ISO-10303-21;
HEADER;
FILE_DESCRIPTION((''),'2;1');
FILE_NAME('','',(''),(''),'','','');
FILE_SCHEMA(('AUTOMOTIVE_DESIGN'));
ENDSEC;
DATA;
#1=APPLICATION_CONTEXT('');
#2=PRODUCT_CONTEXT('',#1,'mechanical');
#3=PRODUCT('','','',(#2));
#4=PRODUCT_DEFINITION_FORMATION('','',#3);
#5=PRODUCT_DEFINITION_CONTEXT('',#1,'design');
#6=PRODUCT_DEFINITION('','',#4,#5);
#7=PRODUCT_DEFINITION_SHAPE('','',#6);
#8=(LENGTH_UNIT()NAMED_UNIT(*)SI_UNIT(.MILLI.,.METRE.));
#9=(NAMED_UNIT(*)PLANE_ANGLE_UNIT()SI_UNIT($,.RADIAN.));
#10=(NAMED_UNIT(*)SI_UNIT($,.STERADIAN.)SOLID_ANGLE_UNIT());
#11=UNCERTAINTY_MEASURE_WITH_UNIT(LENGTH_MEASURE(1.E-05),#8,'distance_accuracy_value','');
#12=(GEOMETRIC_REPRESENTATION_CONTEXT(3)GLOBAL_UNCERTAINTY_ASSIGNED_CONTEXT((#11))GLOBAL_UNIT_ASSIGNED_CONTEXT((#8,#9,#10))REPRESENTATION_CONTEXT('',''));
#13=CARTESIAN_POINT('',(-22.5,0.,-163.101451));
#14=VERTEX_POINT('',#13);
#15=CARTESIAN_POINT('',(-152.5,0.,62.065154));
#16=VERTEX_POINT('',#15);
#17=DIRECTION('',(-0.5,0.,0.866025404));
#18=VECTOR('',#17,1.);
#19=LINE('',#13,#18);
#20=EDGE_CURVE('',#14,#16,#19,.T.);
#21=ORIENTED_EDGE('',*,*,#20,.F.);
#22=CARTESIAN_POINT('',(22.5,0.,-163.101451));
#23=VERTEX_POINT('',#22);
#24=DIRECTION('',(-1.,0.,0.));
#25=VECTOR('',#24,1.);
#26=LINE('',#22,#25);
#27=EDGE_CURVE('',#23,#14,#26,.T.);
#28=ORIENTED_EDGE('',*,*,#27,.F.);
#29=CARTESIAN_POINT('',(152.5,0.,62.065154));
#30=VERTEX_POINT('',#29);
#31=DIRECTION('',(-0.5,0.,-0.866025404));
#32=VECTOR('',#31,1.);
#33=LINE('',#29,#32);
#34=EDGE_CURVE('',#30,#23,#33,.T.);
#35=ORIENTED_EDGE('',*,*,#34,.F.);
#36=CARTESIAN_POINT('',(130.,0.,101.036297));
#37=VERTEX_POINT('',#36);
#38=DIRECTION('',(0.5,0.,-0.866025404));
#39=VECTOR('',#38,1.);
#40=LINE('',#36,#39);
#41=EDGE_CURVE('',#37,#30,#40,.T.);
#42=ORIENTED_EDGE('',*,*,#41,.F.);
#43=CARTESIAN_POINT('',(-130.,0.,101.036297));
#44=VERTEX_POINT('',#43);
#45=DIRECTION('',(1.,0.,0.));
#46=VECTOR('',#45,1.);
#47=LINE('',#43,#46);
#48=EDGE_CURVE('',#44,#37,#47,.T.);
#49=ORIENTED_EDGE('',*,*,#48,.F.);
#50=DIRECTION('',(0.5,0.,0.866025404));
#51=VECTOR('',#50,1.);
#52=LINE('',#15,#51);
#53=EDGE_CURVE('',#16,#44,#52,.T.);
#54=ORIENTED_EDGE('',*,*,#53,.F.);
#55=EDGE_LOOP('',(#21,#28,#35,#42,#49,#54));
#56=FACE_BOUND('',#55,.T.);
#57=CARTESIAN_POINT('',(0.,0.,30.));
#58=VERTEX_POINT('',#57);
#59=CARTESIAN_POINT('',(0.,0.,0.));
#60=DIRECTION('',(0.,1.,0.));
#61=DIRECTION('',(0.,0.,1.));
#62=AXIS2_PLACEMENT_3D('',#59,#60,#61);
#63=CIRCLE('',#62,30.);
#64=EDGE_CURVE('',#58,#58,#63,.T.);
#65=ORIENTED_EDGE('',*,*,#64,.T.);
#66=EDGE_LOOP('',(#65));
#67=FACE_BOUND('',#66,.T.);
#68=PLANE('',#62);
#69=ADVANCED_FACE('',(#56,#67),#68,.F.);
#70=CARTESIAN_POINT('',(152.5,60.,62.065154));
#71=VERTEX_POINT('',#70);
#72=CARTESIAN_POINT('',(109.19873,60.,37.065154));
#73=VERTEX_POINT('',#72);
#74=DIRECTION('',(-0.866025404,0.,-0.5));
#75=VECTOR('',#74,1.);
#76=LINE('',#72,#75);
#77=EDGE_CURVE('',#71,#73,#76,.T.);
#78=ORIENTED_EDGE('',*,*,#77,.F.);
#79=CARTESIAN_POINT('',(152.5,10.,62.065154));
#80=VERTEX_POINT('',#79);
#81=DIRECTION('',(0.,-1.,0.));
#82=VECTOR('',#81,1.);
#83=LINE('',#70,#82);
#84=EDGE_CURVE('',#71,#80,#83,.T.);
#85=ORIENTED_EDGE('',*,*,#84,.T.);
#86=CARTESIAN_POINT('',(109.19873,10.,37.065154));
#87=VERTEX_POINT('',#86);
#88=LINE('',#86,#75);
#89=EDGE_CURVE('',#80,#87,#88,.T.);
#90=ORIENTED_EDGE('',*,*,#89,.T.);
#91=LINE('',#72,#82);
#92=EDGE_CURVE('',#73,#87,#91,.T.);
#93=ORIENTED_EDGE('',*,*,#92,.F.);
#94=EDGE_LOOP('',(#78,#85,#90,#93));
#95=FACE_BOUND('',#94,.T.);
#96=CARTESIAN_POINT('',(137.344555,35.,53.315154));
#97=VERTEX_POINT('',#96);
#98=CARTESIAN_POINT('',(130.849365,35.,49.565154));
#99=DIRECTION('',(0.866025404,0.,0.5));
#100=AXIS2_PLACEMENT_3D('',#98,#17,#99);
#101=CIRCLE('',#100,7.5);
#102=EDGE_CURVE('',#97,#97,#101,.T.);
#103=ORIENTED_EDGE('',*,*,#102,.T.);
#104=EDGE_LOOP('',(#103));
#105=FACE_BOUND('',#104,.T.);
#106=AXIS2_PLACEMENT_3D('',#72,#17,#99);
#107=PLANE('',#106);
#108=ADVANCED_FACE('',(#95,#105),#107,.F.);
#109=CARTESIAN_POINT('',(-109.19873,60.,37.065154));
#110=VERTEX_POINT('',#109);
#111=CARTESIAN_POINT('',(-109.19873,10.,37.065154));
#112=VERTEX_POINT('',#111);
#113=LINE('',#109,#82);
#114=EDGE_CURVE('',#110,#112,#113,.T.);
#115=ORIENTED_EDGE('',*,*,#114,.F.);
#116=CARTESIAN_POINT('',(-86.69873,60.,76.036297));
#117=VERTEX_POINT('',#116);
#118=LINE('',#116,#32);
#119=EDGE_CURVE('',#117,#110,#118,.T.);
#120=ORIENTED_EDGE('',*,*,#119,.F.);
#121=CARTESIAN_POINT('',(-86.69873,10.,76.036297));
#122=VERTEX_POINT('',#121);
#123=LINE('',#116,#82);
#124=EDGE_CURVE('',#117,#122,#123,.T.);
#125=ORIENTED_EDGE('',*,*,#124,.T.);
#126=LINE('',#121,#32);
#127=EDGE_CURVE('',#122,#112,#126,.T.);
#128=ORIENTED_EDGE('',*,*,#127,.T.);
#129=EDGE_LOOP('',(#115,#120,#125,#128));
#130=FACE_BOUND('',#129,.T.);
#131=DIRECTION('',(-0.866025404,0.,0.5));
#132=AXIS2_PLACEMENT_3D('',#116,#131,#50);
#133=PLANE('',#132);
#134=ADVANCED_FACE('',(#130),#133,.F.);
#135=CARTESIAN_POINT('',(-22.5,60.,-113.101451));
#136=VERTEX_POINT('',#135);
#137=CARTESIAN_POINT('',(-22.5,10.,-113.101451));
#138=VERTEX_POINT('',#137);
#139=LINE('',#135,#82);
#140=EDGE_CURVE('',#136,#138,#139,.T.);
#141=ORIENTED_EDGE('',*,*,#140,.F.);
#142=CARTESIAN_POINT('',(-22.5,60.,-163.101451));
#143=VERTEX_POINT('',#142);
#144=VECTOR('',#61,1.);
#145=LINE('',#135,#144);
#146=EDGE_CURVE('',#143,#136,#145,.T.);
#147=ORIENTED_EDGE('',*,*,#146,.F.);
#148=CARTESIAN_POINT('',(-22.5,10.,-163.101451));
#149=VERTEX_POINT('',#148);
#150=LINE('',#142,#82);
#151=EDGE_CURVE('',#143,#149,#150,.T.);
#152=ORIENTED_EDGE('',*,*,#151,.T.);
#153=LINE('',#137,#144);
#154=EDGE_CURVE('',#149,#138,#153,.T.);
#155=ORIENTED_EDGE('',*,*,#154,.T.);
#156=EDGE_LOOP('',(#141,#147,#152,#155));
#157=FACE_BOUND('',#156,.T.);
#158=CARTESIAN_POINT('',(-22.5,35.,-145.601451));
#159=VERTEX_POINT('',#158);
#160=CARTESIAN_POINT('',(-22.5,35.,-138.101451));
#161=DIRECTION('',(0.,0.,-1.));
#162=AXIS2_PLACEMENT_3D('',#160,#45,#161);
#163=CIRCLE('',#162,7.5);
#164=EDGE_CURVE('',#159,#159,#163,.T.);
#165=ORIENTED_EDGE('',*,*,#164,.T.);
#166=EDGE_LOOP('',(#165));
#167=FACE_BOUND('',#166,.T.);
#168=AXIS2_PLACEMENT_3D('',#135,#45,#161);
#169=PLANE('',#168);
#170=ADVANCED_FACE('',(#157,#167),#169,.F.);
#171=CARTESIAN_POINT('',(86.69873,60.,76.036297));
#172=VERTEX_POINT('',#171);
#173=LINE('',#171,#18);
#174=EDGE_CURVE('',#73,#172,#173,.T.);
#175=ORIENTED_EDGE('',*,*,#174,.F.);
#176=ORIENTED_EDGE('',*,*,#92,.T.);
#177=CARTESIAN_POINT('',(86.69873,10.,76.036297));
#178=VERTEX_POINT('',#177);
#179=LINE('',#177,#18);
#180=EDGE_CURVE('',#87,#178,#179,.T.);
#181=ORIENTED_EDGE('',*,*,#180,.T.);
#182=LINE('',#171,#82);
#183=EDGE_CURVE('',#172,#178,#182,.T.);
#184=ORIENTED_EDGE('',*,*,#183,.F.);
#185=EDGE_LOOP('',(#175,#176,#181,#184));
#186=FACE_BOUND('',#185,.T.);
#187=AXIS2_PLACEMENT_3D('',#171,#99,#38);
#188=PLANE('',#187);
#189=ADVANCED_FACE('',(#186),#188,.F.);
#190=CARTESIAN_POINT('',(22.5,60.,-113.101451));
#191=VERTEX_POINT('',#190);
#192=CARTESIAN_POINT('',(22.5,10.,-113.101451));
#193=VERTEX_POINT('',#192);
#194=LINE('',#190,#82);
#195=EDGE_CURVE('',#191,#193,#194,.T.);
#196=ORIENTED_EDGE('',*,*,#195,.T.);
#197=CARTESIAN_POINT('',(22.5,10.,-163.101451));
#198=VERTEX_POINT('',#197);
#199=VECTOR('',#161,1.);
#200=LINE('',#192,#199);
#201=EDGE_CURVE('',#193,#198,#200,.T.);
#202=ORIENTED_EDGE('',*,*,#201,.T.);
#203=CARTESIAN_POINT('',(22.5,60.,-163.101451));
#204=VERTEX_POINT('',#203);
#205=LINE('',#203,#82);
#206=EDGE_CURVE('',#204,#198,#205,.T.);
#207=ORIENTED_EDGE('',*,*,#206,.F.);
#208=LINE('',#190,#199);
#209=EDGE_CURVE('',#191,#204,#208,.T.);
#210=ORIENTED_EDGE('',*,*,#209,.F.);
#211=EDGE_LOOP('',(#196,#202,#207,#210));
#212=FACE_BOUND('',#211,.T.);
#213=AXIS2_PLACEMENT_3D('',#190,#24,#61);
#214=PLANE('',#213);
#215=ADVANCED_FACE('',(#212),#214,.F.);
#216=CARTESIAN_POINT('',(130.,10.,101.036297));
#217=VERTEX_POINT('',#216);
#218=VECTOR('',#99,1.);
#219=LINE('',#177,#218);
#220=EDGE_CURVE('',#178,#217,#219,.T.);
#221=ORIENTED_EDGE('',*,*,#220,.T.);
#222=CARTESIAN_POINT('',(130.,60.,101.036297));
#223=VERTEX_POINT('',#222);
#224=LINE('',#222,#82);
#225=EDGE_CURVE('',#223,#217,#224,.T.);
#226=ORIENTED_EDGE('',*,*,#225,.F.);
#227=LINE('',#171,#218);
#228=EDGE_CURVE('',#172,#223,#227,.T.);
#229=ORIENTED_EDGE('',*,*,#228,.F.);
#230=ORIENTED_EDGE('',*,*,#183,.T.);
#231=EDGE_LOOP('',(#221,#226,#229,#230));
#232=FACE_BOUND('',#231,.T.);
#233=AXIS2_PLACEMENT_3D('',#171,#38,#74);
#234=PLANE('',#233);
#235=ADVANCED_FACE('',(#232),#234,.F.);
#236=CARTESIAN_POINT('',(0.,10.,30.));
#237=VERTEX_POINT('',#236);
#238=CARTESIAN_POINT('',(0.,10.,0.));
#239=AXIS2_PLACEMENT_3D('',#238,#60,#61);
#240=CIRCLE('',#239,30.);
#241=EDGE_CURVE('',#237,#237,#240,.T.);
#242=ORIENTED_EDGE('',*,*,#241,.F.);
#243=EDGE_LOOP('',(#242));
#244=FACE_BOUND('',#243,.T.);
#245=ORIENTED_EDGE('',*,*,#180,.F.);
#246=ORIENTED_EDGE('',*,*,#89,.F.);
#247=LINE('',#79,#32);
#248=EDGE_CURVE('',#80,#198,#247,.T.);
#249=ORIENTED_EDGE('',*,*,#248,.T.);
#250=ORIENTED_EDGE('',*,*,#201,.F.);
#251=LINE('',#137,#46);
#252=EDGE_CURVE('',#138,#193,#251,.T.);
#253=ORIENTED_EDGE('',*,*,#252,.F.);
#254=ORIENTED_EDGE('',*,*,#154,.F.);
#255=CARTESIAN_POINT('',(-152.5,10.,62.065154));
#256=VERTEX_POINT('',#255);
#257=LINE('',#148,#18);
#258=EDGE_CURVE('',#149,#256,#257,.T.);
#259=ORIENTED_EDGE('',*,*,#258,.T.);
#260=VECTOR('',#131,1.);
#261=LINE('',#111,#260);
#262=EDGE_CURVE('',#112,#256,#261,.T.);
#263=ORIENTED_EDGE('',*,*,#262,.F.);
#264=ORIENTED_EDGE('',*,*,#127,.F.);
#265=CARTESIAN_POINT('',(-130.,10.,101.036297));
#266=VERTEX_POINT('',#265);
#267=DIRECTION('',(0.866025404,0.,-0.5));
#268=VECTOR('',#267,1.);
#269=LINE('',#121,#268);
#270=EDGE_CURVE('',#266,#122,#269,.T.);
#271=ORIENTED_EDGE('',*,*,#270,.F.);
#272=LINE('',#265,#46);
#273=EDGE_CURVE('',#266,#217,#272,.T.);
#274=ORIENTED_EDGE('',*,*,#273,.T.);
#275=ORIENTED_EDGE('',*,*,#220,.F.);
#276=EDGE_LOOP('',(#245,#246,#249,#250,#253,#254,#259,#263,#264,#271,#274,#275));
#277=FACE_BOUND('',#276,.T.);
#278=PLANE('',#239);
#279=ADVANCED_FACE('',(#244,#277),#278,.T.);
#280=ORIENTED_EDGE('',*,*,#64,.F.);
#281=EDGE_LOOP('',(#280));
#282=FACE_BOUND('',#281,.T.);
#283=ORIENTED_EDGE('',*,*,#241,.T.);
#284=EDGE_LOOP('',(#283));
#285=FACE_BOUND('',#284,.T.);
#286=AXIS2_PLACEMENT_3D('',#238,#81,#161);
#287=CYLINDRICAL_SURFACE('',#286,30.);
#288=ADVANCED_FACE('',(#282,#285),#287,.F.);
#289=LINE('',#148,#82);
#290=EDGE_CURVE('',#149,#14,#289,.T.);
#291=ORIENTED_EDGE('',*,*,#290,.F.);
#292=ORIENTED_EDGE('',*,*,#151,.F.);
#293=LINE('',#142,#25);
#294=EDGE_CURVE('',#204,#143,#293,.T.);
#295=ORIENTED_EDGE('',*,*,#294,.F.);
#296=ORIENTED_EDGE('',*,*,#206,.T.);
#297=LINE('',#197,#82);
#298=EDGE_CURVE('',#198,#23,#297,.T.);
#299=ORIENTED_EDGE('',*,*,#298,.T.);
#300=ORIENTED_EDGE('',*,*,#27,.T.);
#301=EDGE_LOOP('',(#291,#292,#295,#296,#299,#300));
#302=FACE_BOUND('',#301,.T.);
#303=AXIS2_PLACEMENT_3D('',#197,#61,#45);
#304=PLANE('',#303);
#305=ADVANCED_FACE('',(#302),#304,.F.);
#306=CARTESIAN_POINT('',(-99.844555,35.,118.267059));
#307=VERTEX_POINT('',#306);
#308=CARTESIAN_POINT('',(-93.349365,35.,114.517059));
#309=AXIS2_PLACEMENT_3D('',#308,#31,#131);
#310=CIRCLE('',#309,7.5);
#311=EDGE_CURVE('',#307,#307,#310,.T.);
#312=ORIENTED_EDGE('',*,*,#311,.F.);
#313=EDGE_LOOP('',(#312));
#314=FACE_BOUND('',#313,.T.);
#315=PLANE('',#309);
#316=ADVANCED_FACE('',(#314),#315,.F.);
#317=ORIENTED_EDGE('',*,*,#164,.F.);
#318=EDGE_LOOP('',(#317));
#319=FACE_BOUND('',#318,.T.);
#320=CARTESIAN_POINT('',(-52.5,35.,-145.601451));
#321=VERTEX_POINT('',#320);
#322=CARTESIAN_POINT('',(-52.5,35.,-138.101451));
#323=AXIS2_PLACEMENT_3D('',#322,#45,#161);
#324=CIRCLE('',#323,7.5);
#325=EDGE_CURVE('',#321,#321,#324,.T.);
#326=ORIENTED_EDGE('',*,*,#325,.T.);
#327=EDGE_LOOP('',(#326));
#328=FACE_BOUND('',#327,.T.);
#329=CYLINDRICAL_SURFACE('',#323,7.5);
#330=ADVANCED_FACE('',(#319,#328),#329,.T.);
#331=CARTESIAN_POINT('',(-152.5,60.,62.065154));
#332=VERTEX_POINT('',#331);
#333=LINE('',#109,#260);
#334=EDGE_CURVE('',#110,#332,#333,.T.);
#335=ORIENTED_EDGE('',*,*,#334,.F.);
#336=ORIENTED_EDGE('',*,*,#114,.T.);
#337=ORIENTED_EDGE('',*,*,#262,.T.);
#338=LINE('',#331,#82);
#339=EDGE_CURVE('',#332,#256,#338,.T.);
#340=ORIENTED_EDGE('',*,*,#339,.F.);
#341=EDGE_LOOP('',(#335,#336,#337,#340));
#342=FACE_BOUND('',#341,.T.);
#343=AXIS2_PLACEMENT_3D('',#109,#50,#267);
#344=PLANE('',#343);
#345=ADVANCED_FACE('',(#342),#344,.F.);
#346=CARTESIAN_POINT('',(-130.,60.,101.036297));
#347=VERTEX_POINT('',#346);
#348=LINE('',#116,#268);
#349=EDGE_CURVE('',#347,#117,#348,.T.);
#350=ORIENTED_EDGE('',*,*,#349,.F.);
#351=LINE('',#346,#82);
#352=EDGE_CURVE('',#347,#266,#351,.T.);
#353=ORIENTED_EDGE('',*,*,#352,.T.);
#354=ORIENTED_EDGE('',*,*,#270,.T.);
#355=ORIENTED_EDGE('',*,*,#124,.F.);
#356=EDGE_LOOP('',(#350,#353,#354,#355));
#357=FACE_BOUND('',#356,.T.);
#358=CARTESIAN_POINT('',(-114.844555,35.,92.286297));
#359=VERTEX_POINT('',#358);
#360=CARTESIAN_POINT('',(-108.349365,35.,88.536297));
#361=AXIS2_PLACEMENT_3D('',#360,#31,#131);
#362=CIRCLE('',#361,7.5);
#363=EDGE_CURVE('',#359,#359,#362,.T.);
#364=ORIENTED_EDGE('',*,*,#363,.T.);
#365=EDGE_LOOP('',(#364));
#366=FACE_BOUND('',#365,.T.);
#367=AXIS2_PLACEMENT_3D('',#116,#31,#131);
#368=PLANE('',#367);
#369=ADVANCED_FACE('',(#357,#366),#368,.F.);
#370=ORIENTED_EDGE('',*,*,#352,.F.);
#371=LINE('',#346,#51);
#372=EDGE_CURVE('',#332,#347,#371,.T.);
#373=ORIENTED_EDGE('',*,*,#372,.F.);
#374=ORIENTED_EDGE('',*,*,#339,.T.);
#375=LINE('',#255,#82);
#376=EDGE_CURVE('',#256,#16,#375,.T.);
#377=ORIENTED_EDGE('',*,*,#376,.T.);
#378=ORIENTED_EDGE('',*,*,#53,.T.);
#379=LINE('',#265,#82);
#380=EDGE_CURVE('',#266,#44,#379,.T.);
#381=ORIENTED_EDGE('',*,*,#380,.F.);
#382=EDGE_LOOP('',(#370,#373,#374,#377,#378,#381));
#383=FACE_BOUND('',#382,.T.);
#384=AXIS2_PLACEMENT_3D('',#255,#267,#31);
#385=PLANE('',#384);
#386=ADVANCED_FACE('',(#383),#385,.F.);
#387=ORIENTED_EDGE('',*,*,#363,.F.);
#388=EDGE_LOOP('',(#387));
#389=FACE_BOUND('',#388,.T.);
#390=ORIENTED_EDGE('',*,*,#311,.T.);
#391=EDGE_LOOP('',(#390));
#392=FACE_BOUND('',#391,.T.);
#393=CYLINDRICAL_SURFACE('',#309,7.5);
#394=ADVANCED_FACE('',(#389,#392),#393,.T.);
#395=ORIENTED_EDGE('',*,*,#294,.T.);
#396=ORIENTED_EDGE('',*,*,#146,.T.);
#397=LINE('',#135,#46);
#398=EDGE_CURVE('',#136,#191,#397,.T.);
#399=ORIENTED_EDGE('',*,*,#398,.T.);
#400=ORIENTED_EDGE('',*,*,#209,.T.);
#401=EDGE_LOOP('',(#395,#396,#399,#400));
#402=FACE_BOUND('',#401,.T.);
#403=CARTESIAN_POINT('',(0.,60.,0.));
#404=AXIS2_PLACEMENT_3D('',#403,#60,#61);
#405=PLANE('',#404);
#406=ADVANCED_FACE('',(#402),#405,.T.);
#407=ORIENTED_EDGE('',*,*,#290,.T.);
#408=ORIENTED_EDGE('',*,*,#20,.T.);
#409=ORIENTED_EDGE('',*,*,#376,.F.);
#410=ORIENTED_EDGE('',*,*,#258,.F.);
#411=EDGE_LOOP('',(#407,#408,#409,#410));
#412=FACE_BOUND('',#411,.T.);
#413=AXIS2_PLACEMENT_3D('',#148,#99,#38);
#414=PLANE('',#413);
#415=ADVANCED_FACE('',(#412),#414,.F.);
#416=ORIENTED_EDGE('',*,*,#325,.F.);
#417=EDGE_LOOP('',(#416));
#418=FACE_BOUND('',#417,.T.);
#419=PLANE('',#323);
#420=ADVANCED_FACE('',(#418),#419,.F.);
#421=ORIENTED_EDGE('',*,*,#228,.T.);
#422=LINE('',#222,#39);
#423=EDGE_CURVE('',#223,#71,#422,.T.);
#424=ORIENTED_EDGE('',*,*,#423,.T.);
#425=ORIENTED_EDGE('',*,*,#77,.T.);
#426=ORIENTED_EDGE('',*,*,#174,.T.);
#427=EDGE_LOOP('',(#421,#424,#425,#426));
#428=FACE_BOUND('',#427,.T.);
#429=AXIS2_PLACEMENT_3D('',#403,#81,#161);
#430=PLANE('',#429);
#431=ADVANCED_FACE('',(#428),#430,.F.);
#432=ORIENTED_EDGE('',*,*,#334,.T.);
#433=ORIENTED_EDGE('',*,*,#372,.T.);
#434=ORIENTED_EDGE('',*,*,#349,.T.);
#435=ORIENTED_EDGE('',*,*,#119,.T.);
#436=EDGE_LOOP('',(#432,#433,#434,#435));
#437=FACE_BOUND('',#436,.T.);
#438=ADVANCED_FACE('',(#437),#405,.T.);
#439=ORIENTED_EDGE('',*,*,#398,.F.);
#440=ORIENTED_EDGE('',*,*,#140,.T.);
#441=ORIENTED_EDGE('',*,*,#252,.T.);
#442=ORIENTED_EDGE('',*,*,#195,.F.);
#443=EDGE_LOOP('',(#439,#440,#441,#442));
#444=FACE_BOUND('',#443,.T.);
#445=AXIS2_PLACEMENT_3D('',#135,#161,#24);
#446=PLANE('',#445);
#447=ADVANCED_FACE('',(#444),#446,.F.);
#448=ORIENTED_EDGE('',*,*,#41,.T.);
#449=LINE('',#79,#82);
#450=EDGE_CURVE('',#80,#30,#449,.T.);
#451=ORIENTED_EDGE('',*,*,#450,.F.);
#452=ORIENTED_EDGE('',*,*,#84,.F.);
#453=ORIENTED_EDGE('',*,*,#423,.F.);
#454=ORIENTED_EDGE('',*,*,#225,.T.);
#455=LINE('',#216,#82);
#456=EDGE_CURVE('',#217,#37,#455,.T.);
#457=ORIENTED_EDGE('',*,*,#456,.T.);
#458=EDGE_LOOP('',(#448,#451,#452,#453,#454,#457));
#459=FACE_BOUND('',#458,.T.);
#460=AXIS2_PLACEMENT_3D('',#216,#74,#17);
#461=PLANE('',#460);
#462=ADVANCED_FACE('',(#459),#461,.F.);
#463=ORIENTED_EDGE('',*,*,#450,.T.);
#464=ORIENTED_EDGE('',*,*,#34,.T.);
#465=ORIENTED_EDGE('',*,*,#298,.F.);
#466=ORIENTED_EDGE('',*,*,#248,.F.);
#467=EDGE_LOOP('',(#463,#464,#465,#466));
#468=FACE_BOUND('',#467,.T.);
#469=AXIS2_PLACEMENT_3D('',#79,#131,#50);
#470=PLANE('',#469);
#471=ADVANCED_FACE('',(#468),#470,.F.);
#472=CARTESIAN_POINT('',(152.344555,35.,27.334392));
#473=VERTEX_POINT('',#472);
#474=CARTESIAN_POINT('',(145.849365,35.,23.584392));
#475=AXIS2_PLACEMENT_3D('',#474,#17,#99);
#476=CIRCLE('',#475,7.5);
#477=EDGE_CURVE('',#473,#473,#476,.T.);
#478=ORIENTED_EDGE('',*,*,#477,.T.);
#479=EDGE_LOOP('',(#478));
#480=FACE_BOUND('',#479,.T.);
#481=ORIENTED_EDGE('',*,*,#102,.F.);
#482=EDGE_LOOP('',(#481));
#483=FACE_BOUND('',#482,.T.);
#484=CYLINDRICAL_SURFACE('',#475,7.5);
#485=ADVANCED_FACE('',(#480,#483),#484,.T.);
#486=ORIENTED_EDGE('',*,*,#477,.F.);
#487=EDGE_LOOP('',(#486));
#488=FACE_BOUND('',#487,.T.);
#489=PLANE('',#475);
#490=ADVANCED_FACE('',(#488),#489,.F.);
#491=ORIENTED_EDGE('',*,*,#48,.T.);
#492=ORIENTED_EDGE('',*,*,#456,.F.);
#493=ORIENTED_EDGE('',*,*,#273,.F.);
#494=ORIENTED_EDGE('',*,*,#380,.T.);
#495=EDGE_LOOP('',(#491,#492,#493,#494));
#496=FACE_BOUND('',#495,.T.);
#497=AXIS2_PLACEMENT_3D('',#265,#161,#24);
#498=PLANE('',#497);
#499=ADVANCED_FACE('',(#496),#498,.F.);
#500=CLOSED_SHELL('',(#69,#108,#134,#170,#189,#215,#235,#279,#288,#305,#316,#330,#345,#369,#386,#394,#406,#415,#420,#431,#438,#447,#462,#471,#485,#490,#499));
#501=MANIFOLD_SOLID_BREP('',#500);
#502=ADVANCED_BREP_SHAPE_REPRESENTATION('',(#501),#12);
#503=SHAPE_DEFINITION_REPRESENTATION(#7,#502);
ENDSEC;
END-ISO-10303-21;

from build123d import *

# Parameters (mm, degrees)
SKETCH1_R           = 30
BOSS_EXTRUDE1_DEPTH = 10
SKETCH2_W           = 45
SKETCH2_H           = 50
BOSS_EXTRUDE2_DEPTH = 50
SKETCH3_R           = 7.5
BOSS_EXTRUDE3_DEPTH = 30
SKETCH4_R           = 7.5
BOSS_EXTRUDE4_DEPTH = 30
SKETCH5_R           = 7.5
BOSS_EXTRUDE5_DEPTH = 30


with BuildPart() as part:
    # Sketch1 → Boss-Extrude1 (new body)
    with BuildSketch(Plane(origin=(0, 0, 0), x_dir=(1, 0, 0), z_dir=(0, 1, 0))):
        Polygon((-152.5, -62.065153938), (-130, -101.036297108), (130, -101.036297108), (152.5, -62.065153938), (22.5, 163.101451046), (-22.5, 163.101451046), align=None)
        Circle(SKETCH1_R, mode=Mode.SUBTRACT)
    extrude(amount=BOSS_EXTRUDE1_DEPTH)

    # Sketch2 → Boss-Extrude2 (add)
    with BuildSketch(Plane(origin=(0, 10, 0), x_dir=(1, 0, 0), z_dir=(0, 1, 0))):
        with Locations((0, 138.101451046)):
            Rectangle(SKETCH2_W, SKETCH2_H)
        Polygon((-86.698729811, -76.036297108), (-130, -101.036297108), (-152.5, -62.065153938), (-109.198729811, -37.065153938), align=None)
        Polygon((86.698729811, -76.036297108), (130, -101.036297108), (152.5, -62.065153938), (109.198729811, -37.065153938), align=None)
    extrude(amount=BOSS_EXTRUDE2_DEPTH)

    # Sketch3 → Boss-Extrude3 (add)
    with BuildSketch(Plane(origin=(-22.5, 0, -140.601451046), x_dir=(0, 0, -1), z_dir=(1, 0, 0))):
        with Locations((-2.5, 35)):
            Circle(SKETCH3_R)
    extrude(amount=-BOSS_EXTRUDE3_DEPTH)

    # Sketch4 → Boss-Extrude4 (add)
    with BuildSketch(Plane(origin=(133.014428415, 0, 50.815153938), x_dir=(0.866025404, 0, 0.5), z_dir=(-0.5, 0, 0.866025404))):
        with Locations((-2.5, 35)):
            Circle(SKETCH4_R)
    extrude(amount=-BOSS_EXTRUDE4_DEPTH)

    # Sketch5 → Boss-Extrude5 (add)
    with BuildSketch(Plane(origin=(-110.514428415, 0, 89.786297108), x_dir=(-0.866025404, 0, 0.5), z_dir=(-0.5, 0, -0.866025404))):
        with Locations((-2.5, 35)):
            Circle(SKETCH5_R)
    extrude(amount=-BOSS_EXTRUDE5_DEPTH)


solid = part.part
